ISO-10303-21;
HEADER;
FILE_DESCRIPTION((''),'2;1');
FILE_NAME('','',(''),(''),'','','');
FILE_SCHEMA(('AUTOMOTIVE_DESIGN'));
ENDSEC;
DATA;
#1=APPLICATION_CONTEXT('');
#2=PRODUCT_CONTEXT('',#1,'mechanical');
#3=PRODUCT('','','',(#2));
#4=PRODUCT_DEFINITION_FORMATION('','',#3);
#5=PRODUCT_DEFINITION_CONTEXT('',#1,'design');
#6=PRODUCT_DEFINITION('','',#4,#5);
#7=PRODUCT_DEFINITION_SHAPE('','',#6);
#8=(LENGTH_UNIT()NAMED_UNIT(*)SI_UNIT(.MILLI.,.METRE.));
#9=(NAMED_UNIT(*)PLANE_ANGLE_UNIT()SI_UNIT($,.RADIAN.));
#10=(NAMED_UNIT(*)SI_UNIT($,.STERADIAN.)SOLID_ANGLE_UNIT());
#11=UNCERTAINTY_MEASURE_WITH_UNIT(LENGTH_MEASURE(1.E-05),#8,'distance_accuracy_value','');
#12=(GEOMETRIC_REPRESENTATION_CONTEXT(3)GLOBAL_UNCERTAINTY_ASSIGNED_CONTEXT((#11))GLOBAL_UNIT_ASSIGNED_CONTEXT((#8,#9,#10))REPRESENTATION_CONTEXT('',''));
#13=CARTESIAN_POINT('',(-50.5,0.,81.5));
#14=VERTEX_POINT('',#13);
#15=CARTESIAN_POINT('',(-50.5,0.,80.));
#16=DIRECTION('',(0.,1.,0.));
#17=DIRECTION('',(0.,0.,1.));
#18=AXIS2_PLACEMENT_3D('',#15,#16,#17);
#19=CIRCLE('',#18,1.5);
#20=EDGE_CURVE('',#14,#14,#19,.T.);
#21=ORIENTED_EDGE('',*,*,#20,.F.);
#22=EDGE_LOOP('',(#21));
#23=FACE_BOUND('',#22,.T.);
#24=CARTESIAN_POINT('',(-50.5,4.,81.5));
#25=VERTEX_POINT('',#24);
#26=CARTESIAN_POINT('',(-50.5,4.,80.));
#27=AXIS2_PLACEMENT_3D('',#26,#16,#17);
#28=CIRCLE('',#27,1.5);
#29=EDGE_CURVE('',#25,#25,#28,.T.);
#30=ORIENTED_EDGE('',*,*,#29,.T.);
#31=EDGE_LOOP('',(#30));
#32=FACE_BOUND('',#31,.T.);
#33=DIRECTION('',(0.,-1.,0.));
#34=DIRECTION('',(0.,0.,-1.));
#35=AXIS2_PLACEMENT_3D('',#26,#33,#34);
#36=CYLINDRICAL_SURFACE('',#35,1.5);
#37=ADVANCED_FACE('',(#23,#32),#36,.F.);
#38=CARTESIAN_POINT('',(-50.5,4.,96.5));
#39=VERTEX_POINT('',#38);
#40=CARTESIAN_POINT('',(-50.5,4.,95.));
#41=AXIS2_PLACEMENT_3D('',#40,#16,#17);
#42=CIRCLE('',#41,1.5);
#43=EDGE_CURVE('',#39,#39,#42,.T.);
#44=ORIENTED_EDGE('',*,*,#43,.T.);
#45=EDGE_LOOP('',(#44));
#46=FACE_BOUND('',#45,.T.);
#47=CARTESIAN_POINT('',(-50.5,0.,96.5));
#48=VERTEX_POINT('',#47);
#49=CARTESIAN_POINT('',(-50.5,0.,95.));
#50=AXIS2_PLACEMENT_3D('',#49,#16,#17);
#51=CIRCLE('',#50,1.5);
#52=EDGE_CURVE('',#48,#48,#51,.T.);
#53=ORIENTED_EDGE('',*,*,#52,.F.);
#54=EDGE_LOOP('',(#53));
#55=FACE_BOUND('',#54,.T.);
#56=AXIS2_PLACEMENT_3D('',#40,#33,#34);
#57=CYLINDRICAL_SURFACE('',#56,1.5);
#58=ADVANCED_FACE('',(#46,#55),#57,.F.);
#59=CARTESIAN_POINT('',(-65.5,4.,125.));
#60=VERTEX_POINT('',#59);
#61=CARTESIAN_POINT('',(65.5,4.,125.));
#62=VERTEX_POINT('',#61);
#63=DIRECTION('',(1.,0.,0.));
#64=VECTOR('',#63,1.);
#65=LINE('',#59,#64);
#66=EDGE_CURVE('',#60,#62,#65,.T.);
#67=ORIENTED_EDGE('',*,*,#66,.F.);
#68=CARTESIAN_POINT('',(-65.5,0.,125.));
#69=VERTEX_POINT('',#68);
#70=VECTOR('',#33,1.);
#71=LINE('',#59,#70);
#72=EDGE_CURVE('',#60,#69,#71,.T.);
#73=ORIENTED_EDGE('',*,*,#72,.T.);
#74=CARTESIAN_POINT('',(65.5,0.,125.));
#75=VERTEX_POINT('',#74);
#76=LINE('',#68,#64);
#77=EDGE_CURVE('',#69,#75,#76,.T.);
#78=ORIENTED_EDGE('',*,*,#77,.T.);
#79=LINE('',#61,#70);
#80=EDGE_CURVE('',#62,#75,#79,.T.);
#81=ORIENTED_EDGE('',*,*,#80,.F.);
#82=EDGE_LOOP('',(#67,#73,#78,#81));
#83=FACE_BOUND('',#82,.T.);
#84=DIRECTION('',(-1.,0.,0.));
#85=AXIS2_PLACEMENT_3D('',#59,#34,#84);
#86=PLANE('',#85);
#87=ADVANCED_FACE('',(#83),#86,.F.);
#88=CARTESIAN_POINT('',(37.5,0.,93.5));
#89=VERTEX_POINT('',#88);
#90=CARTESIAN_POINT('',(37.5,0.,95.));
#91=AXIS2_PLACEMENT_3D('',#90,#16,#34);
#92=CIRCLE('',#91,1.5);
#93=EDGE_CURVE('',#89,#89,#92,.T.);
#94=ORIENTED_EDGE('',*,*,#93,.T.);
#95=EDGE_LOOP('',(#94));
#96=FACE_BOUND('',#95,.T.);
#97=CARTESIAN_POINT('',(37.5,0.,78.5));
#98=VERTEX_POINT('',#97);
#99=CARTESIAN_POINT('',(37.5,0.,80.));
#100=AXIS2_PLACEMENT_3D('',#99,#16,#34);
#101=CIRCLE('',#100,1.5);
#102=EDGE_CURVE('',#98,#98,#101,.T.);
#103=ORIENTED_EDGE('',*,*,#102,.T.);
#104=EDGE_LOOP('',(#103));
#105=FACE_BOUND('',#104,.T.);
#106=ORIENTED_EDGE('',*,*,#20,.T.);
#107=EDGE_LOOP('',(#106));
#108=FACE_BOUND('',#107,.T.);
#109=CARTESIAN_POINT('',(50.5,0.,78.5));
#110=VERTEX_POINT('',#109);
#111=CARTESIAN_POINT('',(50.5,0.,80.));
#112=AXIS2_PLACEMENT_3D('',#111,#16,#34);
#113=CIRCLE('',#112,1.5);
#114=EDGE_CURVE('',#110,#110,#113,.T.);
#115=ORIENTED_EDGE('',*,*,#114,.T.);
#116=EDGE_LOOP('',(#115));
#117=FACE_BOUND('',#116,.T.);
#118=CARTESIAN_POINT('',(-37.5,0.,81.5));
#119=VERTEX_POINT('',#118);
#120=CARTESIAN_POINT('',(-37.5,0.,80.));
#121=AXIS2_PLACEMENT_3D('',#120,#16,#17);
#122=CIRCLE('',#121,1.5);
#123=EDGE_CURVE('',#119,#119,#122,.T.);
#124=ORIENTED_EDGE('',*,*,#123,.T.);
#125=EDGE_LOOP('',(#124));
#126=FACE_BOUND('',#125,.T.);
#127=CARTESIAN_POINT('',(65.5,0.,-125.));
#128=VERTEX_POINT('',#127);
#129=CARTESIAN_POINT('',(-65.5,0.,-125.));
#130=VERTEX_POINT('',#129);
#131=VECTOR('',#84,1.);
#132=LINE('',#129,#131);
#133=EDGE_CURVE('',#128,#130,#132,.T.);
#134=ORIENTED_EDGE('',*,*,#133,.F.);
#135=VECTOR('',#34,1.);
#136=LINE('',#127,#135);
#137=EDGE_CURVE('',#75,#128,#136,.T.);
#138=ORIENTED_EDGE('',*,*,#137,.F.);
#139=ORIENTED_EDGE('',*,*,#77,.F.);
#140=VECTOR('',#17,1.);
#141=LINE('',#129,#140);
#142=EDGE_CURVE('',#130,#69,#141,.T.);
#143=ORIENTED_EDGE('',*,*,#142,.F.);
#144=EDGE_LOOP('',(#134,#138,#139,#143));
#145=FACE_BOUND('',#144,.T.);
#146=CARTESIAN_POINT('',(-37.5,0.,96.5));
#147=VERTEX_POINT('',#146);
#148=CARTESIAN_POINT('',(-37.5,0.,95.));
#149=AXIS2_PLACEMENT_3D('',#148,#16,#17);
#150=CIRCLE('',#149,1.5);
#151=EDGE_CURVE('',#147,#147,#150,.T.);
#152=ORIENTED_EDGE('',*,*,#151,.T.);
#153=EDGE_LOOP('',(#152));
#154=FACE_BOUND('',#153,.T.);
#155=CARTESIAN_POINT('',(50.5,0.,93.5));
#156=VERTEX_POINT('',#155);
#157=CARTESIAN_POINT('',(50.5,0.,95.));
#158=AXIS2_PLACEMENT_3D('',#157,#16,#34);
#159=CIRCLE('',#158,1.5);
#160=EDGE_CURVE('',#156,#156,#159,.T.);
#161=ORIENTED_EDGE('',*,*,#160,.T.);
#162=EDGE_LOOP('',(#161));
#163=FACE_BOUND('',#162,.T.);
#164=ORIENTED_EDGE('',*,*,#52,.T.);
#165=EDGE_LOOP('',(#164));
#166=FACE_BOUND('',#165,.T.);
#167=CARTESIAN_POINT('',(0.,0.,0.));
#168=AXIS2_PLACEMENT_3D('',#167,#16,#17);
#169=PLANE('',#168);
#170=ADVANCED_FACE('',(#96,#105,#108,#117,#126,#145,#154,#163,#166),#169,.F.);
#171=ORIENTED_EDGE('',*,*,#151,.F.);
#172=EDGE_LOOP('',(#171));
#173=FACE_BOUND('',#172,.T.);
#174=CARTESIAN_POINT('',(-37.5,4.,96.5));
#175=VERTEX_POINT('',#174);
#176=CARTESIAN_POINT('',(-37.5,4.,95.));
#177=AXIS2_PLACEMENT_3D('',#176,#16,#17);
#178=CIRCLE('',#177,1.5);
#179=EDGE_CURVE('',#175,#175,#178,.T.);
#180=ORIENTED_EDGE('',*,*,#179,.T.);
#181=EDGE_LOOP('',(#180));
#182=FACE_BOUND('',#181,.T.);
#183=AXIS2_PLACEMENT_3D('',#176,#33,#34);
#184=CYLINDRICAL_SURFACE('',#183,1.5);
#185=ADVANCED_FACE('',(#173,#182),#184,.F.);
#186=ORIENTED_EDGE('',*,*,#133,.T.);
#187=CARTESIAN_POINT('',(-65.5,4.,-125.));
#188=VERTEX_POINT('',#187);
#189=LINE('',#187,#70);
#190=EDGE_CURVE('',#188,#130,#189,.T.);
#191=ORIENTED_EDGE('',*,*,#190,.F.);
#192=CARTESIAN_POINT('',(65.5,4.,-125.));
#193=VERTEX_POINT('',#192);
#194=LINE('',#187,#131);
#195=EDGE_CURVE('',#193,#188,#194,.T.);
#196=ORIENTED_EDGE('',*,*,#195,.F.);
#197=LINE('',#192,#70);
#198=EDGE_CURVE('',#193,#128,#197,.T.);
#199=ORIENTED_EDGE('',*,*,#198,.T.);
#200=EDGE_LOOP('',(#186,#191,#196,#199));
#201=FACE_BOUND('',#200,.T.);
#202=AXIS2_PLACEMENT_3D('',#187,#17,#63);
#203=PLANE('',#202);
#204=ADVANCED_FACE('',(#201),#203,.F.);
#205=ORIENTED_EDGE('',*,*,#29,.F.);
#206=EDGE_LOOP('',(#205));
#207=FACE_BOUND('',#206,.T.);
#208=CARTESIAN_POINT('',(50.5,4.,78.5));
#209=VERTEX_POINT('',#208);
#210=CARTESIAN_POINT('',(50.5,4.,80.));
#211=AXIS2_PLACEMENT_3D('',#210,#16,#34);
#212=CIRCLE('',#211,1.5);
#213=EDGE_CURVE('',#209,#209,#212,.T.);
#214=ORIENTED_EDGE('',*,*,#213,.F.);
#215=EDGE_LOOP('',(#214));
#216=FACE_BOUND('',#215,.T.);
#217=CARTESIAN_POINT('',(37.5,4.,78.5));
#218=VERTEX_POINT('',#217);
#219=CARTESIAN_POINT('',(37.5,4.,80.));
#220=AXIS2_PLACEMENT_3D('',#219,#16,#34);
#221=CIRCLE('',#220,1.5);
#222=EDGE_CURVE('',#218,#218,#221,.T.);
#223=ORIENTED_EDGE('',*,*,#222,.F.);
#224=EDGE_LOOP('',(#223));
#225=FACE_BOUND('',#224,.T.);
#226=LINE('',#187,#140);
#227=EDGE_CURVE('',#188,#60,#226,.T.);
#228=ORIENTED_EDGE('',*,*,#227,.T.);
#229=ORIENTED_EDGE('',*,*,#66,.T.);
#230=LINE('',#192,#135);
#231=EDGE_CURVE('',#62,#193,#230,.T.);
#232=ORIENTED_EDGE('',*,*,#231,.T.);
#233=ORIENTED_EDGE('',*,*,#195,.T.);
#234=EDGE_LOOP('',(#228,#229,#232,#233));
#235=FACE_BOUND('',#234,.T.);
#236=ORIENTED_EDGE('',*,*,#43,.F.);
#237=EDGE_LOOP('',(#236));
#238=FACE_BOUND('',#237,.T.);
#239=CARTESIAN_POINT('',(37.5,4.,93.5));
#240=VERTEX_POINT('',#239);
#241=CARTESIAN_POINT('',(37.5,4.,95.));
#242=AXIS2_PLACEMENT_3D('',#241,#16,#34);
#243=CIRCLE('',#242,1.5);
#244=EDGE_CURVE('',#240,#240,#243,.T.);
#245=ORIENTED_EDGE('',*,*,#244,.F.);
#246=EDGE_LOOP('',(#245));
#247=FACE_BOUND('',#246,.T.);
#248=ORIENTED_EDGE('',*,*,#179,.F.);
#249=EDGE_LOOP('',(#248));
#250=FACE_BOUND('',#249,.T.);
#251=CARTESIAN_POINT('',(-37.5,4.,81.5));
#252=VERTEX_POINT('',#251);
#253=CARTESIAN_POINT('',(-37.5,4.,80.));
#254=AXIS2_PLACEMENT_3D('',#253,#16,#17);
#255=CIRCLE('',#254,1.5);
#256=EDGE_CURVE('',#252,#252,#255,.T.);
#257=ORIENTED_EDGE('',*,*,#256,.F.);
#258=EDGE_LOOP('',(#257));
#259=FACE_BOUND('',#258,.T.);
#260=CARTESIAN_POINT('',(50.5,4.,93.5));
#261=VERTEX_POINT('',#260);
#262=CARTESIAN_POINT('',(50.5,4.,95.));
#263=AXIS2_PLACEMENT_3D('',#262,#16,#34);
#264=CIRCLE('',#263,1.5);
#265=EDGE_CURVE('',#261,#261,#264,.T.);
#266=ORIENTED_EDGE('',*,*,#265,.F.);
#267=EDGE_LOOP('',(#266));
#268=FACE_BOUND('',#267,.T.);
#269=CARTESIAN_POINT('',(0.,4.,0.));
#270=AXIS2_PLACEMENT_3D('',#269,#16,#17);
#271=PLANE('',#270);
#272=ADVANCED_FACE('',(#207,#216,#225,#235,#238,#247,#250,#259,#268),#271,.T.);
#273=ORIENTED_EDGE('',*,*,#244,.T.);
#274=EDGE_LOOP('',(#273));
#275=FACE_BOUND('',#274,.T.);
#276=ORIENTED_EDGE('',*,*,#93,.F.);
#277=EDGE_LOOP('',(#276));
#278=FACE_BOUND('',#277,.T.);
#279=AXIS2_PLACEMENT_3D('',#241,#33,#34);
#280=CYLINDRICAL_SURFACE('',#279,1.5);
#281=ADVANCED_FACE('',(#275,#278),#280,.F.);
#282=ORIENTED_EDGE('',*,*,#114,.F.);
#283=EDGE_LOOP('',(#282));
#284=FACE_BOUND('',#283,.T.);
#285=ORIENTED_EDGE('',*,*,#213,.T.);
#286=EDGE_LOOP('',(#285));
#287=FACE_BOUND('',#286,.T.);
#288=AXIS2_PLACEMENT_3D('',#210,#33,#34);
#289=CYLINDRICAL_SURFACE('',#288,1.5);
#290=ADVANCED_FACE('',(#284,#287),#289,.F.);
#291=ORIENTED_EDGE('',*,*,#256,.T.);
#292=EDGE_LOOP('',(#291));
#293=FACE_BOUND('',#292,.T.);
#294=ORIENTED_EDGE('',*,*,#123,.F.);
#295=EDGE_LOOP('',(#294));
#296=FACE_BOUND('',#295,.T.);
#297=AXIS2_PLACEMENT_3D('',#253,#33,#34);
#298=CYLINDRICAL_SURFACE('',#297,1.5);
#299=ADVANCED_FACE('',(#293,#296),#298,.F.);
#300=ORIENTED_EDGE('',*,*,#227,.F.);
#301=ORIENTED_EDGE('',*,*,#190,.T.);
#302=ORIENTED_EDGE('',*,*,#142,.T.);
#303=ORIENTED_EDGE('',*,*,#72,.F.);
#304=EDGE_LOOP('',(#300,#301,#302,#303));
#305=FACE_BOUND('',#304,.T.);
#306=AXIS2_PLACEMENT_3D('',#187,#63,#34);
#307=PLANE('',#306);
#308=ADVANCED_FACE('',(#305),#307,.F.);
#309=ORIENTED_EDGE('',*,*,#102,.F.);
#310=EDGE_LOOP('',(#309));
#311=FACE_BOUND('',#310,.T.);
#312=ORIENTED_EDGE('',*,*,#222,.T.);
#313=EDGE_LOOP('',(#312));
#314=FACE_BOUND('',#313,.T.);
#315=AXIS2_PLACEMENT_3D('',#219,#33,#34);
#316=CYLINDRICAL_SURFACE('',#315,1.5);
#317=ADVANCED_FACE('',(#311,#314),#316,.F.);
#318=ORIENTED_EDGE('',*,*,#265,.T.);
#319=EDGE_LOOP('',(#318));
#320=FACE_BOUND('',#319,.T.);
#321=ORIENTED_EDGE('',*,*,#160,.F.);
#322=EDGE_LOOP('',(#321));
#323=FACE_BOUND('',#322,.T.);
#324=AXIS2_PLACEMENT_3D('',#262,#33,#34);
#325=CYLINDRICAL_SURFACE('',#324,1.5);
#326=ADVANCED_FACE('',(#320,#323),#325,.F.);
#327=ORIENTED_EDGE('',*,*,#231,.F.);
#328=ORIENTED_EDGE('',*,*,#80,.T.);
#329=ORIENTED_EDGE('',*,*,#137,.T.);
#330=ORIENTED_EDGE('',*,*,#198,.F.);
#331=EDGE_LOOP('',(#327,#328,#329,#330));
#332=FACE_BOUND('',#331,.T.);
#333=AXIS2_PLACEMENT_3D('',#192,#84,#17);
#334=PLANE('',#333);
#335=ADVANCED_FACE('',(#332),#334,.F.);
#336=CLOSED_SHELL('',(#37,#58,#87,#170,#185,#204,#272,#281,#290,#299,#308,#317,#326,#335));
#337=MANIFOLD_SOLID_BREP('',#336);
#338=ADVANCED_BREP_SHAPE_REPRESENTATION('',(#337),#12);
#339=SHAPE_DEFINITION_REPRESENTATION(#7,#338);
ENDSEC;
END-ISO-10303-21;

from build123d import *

# Parameters (mm, degrees)
SKETCH1_W           = 131
SKETCH1_H           = 250
SKETCH1_R           = 1.5
BOSS_EXTRUDE1_DEPTH = 4


with BuildPart() as part:
    # Sketch1 → Boss-Extrude1 (new body)
    with BuildSketch(Plane(origin=(0, 0, 0), x_dir=(1, 0, 0), z_dir=(0, 1, 0))):
        Rectangle(SKETCH1_W, SKETCH1_H)
        with Locations(Location((-50.5, -80, 0), (0, 0, 270))):
            Circle(SKETCH1_R, mode=Mode.SUBTRACT)
        with Locations(Location((-37.5, -80, 0), (0, 0, 270))):
            Circle(SKETCH1_R, mode=Mode.SUBTRACT)
        with Locations(Location((-37.5, -95, 0), (0, 0, 270))):
            Circle(SKETCH1_R, mode=Mode.SUBTRACT)
        with Locations(Location((-50.5, -95, 0), (0, 0, 270))):
            Circle(SKETCH1_R, mode=Mode.SUBTRACT)
        with Locations(Location((50.5, -95, 0), (0, 0, 90))):
            Circle(SKETCH1_R, mode=Mode.SUBTRACT)
        with Locations(Location((37.5, -95, 0), (0, 0, 90))):
            Circle(SKETCH1_R, mode=Mode.SUBTRACT)
        with Locations(Location((37.5, -80, 0), (0, 0, 90))):
            Circle(SKETCH1_R, mode=Mode.SUBTRACT)
        with Locations(Location((50.5, -80, 0), (0, 0, 90))):
            Circle(SKETCH1_R, mode=Mode.SUBTRACT)
    extrude(amount=BOSS_EXTRUDE1_DEPTH)


solid = part.part
